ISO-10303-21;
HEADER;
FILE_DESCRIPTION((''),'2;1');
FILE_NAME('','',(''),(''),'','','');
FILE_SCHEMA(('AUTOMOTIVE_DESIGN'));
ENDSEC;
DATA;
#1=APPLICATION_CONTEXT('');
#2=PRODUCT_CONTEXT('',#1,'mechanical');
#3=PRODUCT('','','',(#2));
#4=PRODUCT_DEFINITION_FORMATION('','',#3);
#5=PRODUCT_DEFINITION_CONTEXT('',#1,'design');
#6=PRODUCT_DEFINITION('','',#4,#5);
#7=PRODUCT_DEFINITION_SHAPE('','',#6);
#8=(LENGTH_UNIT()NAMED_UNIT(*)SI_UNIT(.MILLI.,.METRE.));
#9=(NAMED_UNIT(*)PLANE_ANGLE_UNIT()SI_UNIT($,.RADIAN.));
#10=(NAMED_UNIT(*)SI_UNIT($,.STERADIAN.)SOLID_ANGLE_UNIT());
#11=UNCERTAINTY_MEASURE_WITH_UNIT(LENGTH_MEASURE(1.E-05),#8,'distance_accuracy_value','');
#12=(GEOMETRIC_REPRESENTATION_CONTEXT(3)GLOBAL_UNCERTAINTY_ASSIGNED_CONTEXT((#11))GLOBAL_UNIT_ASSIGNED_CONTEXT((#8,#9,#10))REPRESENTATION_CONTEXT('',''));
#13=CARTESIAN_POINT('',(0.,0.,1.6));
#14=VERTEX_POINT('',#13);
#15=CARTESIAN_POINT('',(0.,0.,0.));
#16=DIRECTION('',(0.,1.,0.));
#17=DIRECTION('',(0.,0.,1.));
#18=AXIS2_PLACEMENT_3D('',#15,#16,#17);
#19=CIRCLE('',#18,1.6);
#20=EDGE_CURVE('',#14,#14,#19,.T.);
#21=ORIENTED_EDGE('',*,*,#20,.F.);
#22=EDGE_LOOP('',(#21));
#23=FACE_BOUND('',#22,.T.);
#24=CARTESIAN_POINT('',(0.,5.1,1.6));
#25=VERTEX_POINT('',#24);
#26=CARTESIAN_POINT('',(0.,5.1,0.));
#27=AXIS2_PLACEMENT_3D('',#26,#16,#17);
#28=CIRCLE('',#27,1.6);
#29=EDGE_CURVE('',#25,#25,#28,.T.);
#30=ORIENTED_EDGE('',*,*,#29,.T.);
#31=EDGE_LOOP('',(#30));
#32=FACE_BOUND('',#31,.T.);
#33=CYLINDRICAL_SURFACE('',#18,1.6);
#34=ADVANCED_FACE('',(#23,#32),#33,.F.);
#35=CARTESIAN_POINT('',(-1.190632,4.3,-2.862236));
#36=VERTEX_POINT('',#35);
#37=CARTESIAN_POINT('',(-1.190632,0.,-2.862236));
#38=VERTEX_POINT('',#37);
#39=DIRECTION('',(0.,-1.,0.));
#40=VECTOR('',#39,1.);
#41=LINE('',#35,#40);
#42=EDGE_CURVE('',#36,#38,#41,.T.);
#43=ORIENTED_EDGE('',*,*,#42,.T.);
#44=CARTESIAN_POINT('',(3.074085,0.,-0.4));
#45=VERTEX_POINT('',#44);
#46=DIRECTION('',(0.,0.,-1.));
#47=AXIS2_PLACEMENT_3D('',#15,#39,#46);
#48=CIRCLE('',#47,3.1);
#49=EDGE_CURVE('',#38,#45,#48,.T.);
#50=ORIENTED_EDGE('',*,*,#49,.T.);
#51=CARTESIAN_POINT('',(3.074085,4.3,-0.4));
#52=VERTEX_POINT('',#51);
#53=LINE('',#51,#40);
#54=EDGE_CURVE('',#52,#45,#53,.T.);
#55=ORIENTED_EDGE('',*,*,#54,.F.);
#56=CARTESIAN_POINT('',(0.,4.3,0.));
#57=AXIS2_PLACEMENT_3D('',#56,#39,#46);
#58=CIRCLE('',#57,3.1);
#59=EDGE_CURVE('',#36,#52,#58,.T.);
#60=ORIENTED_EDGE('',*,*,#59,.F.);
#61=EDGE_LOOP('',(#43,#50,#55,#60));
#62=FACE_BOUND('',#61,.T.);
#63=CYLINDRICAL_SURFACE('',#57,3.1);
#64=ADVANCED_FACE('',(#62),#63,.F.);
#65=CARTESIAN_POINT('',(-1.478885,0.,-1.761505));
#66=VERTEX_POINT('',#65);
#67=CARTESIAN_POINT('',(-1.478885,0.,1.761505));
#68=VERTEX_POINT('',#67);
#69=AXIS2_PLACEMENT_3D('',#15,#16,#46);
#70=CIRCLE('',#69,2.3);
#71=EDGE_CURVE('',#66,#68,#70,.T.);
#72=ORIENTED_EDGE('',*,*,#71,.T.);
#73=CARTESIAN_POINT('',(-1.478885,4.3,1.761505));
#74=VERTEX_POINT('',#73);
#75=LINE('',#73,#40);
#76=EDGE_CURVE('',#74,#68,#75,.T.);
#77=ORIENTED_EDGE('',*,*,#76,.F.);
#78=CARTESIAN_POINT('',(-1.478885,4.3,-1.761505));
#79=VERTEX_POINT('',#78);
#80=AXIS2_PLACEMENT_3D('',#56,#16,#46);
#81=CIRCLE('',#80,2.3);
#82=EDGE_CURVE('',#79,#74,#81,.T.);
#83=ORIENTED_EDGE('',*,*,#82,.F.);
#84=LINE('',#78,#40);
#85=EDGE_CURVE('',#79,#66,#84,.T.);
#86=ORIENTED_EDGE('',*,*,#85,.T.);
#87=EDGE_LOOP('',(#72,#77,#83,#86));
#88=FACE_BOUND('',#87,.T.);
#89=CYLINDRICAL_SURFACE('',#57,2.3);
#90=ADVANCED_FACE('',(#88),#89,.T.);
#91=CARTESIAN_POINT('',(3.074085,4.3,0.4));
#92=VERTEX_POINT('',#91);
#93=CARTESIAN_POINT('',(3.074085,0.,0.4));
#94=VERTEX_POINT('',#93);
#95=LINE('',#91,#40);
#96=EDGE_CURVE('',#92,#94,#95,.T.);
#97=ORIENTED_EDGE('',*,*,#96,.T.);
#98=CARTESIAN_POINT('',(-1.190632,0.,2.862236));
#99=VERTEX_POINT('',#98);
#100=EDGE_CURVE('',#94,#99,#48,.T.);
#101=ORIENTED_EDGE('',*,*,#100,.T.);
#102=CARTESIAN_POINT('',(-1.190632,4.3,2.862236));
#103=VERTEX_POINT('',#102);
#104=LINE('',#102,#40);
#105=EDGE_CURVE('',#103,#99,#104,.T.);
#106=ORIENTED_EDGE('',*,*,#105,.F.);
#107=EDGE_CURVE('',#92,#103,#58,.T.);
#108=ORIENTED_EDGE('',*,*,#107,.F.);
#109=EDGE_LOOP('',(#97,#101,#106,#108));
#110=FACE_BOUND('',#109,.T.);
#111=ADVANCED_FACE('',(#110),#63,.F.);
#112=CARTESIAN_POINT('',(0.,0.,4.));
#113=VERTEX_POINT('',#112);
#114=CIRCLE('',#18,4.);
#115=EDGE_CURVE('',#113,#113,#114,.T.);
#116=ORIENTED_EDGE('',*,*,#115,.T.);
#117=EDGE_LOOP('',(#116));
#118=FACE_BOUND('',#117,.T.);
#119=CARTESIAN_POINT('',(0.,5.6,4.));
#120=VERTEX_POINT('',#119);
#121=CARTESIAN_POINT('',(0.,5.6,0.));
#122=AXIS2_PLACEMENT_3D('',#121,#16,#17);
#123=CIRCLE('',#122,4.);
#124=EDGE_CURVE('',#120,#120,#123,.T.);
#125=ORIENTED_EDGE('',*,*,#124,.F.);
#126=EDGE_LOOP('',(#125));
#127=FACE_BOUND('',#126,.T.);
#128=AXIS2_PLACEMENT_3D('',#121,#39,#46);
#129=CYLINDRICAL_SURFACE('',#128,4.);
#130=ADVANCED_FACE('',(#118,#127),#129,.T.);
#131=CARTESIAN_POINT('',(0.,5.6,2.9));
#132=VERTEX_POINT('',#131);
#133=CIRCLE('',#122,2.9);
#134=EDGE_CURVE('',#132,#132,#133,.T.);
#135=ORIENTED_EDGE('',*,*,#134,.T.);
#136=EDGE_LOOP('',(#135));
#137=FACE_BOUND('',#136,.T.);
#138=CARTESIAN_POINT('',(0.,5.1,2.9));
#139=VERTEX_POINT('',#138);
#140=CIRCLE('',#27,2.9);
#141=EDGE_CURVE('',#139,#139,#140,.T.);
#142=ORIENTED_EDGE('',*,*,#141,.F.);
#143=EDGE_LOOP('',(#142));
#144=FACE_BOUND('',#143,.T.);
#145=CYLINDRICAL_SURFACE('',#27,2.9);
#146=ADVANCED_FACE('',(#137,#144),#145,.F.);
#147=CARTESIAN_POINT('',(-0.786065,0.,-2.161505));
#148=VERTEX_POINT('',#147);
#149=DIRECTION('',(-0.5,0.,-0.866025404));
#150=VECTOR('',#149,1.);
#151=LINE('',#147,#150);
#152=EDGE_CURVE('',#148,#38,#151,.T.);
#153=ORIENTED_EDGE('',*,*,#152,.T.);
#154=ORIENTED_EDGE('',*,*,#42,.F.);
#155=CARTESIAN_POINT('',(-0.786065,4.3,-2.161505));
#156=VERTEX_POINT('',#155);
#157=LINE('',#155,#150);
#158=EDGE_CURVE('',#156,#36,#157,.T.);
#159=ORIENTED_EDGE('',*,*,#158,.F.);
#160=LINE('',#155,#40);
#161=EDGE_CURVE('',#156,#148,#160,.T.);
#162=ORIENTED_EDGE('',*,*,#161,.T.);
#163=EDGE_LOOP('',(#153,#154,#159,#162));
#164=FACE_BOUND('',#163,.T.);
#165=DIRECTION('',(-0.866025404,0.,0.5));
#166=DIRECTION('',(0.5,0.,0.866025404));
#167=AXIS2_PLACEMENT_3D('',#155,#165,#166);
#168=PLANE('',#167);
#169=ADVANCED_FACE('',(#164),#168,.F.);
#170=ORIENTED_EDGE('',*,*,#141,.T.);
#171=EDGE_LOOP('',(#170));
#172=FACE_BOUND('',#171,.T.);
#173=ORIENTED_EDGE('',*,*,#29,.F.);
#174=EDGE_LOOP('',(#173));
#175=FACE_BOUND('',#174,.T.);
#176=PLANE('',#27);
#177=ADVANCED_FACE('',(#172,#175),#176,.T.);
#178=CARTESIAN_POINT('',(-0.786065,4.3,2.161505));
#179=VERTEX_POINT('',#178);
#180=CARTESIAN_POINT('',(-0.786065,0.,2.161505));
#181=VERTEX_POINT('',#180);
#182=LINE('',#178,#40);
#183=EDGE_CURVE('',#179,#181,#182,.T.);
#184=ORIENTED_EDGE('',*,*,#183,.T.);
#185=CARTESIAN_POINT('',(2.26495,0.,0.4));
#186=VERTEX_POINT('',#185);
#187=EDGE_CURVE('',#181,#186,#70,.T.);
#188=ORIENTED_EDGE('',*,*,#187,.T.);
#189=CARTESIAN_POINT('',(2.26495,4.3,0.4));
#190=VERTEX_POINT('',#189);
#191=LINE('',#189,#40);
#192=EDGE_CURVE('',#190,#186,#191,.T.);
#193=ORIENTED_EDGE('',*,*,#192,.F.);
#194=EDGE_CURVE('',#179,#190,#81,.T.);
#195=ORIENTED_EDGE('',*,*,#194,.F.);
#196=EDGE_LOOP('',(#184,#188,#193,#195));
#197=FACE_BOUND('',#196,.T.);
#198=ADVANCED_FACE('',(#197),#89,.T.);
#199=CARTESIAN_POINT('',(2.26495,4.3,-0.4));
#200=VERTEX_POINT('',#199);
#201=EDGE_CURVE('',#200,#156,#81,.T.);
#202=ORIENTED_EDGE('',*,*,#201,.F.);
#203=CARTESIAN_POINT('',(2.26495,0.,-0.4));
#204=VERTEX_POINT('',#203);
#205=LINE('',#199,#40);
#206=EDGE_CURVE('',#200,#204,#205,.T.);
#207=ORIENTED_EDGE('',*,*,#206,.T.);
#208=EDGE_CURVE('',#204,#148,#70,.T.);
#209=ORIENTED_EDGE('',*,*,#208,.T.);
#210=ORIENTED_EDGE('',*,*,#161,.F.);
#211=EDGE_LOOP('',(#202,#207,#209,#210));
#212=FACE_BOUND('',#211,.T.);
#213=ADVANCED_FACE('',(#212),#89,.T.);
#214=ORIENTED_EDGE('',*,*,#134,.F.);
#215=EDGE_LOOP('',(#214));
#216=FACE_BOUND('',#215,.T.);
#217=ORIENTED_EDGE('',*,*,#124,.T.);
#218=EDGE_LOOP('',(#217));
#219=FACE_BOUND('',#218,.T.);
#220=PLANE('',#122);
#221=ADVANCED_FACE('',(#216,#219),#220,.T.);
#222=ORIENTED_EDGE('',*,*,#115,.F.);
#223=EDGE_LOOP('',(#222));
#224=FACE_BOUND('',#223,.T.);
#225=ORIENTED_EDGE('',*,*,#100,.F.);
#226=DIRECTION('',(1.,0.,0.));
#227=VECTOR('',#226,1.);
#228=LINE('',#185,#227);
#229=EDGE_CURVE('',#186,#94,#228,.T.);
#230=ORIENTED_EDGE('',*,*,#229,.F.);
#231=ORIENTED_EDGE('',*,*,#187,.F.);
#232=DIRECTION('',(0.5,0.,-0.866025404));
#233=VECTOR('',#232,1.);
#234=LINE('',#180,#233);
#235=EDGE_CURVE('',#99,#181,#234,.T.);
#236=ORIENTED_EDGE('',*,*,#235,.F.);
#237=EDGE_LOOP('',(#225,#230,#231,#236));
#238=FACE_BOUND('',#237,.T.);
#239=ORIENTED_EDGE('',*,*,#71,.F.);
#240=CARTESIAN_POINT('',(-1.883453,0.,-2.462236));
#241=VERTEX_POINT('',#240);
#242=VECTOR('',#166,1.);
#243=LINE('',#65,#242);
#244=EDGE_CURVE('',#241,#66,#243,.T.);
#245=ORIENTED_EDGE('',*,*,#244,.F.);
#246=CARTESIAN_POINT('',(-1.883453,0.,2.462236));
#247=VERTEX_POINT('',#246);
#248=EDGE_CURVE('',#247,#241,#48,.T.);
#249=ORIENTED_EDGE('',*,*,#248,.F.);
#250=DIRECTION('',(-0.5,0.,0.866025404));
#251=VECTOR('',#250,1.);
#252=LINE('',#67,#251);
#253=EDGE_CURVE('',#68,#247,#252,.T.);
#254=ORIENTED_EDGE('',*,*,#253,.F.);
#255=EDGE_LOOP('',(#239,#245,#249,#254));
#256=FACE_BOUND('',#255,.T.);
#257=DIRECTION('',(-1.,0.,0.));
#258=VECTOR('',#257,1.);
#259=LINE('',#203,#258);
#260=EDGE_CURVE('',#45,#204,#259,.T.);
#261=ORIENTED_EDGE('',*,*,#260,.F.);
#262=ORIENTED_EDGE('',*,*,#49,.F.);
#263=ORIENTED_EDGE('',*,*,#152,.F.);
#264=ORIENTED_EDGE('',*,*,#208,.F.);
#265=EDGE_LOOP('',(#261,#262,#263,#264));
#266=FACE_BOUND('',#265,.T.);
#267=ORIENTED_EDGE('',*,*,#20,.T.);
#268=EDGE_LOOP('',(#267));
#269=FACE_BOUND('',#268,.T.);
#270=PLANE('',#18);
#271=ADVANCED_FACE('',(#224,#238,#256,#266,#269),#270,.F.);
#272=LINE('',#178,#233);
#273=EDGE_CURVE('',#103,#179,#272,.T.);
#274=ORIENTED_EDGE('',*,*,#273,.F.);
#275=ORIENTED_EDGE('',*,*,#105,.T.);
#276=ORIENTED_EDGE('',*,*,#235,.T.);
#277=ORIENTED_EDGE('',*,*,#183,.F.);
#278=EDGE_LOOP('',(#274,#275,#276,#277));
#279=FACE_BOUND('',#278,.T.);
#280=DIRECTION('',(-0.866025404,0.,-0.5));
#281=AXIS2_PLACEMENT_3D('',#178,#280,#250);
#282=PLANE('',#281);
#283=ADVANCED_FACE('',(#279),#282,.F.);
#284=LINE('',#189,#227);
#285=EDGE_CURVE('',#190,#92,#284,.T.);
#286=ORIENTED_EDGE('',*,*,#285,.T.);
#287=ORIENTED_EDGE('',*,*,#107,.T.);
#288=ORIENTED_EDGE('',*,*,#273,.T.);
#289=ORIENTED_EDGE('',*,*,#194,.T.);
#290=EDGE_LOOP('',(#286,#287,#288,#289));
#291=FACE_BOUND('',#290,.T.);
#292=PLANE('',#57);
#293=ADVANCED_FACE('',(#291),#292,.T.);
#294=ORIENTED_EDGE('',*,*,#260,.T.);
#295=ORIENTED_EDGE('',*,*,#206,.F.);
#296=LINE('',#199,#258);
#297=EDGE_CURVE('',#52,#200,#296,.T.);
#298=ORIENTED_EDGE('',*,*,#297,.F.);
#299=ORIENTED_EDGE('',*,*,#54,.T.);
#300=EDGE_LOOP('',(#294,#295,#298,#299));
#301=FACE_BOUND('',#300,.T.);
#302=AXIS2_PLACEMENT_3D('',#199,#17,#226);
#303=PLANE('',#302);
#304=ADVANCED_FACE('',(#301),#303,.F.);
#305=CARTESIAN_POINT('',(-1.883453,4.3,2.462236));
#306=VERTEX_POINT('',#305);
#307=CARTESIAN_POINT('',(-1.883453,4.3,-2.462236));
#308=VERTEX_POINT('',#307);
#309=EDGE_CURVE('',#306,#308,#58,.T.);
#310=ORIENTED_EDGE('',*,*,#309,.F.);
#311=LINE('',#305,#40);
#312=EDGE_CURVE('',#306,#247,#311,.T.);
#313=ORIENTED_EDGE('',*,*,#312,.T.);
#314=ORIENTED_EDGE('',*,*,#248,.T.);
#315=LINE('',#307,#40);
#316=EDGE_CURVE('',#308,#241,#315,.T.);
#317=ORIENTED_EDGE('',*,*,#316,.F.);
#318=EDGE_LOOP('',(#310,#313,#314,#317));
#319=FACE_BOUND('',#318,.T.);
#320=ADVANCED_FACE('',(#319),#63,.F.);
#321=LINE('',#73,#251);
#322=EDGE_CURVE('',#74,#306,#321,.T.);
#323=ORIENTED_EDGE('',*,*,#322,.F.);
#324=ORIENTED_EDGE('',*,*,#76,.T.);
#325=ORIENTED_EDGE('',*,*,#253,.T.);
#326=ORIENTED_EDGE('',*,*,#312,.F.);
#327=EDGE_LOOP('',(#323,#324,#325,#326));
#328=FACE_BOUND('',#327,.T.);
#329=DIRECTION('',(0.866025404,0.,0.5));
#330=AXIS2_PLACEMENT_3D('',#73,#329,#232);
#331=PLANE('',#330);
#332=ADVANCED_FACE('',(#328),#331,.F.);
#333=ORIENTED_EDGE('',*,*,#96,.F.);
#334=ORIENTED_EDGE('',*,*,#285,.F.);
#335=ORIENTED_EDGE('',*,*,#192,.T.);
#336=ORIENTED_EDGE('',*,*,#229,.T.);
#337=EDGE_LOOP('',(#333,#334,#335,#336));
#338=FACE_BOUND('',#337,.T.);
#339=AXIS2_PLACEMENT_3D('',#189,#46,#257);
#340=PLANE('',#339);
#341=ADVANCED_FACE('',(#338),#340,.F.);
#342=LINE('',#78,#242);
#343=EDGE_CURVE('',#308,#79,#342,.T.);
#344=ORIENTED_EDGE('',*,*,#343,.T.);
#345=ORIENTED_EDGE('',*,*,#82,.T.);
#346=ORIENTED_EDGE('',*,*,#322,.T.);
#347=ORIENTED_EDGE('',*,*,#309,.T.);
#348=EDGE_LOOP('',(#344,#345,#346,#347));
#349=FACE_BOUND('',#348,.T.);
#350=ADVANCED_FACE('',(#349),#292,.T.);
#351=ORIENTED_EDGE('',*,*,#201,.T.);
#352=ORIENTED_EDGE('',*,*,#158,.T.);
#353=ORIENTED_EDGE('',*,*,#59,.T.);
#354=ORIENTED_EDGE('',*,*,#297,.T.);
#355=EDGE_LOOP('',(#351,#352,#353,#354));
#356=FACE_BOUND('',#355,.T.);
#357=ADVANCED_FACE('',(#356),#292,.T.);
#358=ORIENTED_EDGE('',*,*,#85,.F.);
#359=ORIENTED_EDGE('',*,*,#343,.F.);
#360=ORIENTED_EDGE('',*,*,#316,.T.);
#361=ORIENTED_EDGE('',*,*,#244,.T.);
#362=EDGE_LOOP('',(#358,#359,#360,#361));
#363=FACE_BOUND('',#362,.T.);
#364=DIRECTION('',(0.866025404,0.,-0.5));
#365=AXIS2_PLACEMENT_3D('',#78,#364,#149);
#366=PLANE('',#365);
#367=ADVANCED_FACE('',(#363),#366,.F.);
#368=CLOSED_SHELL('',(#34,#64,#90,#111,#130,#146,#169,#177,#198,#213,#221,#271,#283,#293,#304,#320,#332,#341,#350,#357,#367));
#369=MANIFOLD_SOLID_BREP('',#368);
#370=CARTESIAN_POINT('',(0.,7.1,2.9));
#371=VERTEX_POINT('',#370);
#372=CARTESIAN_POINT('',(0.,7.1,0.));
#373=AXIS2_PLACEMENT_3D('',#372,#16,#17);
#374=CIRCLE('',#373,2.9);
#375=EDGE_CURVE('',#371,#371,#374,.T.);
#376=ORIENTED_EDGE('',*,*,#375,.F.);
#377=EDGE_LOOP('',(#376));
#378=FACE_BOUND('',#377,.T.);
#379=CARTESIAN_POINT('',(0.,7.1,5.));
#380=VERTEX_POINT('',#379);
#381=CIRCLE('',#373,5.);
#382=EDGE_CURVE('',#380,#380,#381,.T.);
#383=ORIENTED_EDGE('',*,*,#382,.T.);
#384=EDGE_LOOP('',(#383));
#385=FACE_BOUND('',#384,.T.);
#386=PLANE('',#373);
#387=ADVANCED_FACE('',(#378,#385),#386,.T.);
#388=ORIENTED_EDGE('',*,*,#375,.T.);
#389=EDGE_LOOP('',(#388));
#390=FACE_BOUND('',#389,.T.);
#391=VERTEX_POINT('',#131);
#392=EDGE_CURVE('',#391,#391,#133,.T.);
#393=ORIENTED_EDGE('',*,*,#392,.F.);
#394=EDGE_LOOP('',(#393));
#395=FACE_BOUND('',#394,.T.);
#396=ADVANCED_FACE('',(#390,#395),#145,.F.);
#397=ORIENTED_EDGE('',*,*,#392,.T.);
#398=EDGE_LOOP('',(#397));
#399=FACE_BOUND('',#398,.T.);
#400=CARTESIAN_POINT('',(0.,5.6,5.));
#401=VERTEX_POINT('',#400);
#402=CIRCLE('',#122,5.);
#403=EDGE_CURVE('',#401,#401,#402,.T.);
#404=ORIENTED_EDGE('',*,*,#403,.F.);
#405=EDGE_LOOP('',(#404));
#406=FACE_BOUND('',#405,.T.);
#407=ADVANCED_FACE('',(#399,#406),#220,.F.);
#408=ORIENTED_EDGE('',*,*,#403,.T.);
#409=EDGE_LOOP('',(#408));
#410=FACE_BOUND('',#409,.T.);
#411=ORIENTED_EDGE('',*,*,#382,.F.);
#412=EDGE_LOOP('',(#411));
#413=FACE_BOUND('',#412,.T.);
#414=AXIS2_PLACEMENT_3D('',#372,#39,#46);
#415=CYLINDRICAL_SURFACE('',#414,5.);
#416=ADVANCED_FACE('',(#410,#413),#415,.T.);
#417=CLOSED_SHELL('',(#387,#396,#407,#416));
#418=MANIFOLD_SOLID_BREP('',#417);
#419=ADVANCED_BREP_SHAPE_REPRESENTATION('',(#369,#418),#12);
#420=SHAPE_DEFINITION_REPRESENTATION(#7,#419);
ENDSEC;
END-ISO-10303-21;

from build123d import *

# Parameters (mm, degrees)
CROQUIS2_R              = 4
SALIENTE_EXTRUIR2_DEPTH = 5.6
CROQUIS3_R              = 5
SALIENTE_EXTRUIR3_DEPTH = 1.5
CROQUIS4_R              = 2.9
CORTAR_EXTRUIR2_DEPTH   = 2
CROQUIS6_R              = 1.6
CORTAR_EXTRUIR3_DEPTH   = 6.1
CORTAR_EXTRUIR4_DEPTH   = 4.3


with BuildPart() as part:
    # Croquis2 → Saliente-Extruir2 (new body)
    with BuildSketch(Plane(origin=(0, 0, 0), x_dir=(1, 0, 0), z_dir=(0, 1, 0))):
        Circle(CROQUIS2_R)
    extrude(amount=SALIENTE_EXTRUIR2_DEPTH)


with BuildPart() as body_2:
    # Croquis3 → Saliente-Extruir3 (new body)
    with BuildSketch(Plane(origin=(0, 5.6, 0), x_dir=(1, 0, 0), z_dir=(0, 1, 0))):
        Circle(CROQUIS3_R)
    extrude(amount=SALIENTE_EXTRUIR3_DEPTH)


with BuildPart() as cortar_extruir2_tool:
    # Croquis4 → Cortar-Extruir2 (new body)
    with BuildSketch(Plane(origin=(0, 7.1, 0), x_dir=(1, 0, 0), z_dir=(0, 1, 0))):
        Circle(CROQUIS4_R)
    extrude(amount=-CORTAR_EXTRUIR2_DEPTH)


with BuildPart() as part_1:
    add(part.part)

    # Cortar-Extruir2: cut by cortar_extruir2_tool
    add(cortar_extruir2_tool.part, mode=Mode.SUBTRACT)

    # Croquis6 → Cortar-Extruir3 (cut, through all)
    with BuildSketch(Plane(origin=(0, 5.1, 0), x_dir=(1, 0, 0), z_dir=(0, 1, 0))):
        Circle(CROQUIS6_R)
    extrude(amount=-CORTAR_EXTRUIR3_DEPTH, mode=Mode.SUBTRACT)

    # Croquis7 → Cortar-Extruir4 (cut)
    with BuildSketch(Plane.XZ):
        with BuildLine():
            Line((2.264950331, 0.4), (3.07408523, 0.4))
            ThreePointArc((3.07408523, 0.4), (1.55, 2.684678752), (-1.190632453, 2.862235902))
            Line((-1.190632453, 2.862235902), (-0.786065004, 2.161504525))
            ThreePointArc((-0.786065004, 2.161504525), (1.15, 1.991858429), (2.264950331, 0.4))
        make_face()
        with BuildLine():
            Line((2.264950331, -0.4), (3.07408523, -0.4))
            ThreePointArc((3.07408523, -0.4), (1.55, -2.684678752), (-1.190632453, -2.862235902))
            Line((-1.190632453, -2.862235902), (-0.786065004, -2.161504525))
            ThreePointArc((-0.786065004, -2.161504525), (1.15, -1.991858429), (2.264950331, -0.4))
        make_face()
        with BuildLine():
            Line((-1.478885327, -1.761504525), (-1.883452776, -2.462235902))
            ThreePointArc((-1.883452776, -2.462235902), (-3.1, 0), (-1.883452776, 2.462235902))
            Line((-1.883452776, 2.462235902), (-1.478885327, 1.761504525))
            ThreePointArc((-1.478885327, 1.761504525), (-2.3, 0), (-1.478885327, -1.761504525))
        make_face()
    extrude(amount=-CORTAR_EXTRUIR4_DEPTH, mode=Mode.SUBTRACT)


with BuildPart() as body_2_1:
    add(body_2.part)

    # Cortar-Extruir2: cut by cortar_extruir2_tool
    add(cortar_extruir2_tool.part, mode=Mode.SUBTRACT)


solid = Compound([part_1.part, body_2_1.part])
